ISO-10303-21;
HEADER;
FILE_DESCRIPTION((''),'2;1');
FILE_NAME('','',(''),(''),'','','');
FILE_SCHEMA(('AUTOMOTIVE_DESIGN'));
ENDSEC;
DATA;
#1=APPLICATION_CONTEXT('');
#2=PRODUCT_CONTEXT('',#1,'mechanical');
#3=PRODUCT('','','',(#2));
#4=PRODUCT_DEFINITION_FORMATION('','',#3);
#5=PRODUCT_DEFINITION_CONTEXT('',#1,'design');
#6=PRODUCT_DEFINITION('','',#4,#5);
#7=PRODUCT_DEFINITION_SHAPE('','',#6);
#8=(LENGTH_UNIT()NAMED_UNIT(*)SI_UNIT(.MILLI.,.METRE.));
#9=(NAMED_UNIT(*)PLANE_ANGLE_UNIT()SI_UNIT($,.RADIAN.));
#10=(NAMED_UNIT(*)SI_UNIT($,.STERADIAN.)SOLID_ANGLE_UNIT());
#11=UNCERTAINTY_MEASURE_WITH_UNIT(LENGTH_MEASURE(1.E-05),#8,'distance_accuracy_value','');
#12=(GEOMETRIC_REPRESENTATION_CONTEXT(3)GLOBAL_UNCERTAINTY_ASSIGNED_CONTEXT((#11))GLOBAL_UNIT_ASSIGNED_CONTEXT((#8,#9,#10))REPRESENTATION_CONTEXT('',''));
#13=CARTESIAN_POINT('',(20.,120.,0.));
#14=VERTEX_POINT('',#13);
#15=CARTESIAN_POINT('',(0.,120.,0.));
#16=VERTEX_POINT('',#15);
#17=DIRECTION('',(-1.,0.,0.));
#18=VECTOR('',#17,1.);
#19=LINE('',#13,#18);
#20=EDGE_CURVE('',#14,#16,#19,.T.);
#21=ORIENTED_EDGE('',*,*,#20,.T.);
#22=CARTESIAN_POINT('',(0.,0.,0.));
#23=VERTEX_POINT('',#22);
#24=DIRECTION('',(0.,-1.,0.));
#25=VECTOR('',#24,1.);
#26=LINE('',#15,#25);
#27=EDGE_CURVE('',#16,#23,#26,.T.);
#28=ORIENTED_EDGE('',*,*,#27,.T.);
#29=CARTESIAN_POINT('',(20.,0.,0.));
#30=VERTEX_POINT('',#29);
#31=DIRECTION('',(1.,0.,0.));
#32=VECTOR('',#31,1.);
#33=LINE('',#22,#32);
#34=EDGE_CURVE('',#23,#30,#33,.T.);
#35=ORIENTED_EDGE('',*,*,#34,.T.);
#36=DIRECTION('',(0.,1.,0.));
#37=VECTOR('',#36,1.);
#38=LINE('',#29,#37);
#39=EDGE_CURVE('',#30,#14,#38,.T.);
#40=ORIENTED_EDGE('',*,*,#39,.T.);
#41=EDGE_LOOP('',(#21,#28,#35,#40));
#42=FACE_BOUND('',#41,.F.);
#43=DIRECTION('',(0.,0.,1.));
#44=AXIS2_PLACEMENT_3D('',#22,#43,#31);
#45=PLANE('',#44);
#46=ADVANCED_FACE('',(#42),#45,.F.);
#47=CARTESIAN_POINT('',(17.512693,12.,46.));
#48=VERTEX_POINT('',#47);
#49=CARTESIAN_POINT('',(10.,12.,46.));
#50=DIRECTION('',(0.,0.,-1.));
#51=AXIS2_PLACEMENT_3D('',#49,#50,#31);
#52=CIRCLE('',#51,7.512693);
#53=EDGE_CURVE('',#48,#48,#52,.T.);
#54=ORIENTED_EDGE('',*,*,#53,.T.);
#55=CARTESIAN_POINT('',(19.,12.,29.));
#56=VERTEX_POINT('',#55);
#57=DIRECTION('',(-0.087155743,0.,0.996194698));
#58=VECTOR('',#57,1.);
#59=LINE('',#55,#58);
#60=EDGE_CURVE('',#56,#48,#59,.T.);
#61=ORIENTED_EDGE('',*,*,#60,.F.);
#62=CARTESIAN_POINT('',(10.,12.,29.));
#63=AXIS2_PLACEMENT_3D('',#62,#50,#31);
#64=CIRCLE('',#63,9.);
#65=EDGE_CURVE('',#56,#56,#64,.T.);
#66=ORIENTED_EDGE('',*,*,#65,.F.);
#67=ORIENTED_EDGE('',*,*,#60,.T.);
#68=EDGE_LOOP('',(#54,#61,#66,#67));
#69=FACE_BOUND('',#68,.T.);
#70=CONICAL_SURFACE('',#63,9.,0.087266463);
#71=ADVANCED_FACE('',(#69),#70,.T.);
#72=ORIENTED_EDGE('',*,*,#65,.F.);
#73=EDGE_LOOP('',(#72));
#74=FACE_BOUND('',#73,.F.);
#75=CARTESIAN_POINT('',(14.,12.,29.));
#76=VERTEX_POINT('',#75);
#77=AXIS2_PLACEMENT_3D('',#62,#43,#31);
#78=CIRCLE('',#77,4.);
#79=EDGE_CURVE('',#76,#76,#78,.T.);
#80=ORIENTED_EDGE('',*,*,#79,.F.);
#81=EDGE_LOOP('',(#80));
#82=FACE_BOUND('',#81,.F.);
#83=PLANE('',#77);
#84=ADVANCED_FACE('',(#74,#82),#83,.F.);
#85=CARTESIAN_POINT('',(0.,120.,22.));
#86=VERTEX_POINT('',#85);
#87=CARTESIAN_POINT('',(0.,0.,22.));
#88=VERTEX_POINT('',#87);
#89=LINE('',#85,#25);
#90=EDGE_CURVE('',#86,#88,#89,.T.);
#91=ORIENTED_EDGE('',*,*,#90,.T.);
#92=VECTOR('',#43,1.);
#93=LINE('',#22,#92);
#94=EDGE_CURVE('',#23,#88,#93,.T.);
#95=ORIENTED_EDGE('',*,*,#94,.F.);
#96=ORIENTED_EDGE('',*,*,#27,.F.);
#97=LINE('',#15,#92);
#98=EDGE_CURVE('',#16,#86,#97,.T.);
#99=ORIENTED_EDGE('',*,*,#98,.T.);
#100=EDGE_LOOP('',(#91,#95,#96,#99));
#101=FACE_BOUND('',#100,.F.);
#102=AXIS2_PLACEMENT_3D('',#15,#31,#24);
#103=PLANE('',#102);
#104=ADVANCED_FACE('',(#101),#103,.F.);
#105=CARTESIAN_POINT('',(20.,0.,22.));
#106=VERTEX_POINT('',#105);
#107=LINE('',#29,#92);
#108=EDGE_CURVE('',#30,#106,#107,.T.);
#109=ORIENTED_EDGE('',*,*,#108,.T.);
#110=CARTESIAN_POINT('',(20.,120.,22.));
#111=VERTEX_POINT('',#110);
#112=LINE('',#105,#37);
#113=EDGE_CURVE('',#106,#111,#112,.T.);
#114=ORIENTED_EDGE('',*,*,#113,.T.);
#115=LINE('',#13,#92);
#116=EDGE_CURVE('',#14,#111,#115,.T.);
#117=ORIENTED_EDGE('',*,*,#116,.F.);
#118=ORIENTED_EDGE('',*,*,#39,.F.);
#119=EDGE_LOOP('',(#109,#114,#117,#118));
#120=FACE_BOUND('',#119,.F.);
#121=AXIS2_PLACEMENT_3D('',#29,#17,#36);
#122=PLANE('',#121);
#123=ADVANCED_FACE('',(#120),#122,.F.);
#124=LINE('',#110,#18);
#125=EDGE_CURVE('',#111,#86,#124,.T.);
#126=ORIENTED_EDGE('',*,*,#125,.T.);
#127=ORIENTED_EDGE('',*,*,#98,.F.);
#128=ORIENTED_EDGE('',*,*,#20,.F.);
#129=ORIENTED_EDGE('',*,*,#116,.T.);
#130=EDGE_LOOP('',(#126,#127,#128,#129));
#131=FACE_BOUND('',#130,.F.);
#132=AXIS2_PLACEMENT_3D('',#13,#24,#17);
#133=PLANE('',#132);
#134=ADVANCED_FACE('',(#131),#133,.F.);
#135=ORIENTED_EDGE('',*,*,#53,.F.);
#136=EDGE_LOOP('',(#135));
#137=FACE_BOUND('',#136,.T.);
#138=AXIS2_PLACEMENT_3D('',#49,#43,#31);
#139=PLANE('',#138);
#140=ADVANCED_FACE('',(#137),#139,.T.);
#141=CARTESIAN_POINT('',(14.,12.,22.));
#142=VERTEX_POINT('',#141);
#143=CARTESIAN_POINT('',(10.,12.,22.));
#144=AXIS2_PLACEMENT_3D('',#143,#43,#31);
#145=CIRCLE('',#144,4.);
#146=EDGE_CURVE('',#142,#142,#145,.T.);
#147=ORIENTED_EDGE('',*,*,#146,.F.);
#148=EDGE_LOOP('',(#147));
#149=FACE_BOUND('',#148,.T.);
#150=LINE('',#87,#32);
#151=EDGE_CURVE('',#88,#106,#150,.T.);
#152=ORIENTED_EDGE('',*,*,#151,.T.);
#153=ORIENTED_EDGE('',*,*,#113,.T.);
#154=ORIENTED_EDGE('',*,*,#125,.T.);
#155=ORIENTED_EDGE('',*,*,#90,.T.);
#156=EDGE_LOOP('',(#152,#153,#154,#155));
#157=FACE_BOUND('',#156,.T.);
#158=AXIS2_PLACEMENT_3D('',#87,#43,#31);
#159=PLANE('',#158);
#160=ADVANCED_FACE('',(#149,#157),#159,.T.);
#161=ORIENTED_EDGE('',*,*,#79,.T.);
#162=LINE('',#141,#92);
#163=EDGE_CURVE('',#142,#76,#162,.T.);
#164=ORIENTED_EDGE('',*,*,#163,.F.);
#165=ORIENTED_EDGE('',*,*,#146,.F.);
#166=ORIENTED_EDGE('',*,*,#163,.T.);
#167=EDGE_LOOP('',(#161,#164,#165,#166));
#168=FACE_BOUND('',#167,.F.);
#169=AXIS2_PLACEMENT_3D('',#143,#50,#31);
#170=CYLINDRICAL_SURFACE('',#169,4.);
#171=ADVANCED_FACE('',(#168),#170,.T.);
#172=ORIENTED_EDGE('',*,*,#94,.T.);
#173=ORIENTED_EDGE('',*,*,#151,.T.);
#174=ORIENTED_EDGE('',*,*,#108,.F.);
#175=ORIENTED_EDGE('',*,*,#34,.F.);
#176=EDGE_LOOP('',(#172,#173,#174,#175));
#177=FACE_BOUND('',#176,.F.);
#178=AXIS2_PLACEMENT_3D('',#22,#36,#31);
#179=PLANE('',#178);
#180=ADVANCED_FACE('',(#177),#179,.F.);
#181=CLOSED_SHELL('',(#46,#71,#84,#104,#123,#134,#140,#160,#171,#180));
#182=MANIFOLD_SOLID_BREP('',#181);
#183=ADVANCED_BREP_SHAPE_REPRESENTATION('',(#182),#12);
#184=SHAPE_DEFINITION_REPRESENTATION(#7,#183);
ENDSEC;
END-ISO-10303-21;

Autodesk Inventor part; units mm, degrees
ref_plane "YZ Plane" through (0, 0, 0) normal (1, 0, 0) x (0, 1, 0)
ref_plane "XZ Plane" through (0, 0, 0) normal (0, 1, 0) x (-1, 0, 0)
ref_plane "XY Plane" through (0, 0, 0) normal (0, 0, 1) x (1, 0, 0)
sketch "Sketch1" plane through (0, 0, 0) normal (0, 0, 1) x (1, 0, 0)
  line L0 (0, 0) -> (20, 0)
  line L1 (20, 0) -> (20, 120)
  line L2 (20, 120) -> (0, 120)
  line L3 (0, 120) -> (0, 0)
  dimension "d0" = 120
  dimension "d1" = 20
extrude "Extrusion1" add sketch "Sketch1" along normal blind 22
sketch "Sketch2" plane through (0, 0, 22) normal (0, 0, 1) x (1, 0, 0)
  point P0 (0, 0)
sketch "Sketch3" plane through (0, 0, 22) normal (0, 0, 1) x (1, 0, 0)
  circle A0 centre (10, 12) radius 4
  line L0 (0, 0) -> (20, 0) construction
  line L1 (10, 12) -> (10, 0) construction
  dimension "d4" = 12
  dimension "d5" = 8
extrude "Extrusion2" add sketch "Sketch3" along normal blind 7
sketch "Sketch4" plane through (10, 12, 29) normal (0, 0, 1) x (1, 0, 0)
  circle A0 centre (0, 0) radius 4 construction
  circle A1 centre (0, 0) radius 9
  point P0 (-10, -12)
  dimension "d8" = 18
extrude "Extrusion3" add sketch "Sketch4" along normal blind 17 draft -5
properties part number "FlowMeter"
